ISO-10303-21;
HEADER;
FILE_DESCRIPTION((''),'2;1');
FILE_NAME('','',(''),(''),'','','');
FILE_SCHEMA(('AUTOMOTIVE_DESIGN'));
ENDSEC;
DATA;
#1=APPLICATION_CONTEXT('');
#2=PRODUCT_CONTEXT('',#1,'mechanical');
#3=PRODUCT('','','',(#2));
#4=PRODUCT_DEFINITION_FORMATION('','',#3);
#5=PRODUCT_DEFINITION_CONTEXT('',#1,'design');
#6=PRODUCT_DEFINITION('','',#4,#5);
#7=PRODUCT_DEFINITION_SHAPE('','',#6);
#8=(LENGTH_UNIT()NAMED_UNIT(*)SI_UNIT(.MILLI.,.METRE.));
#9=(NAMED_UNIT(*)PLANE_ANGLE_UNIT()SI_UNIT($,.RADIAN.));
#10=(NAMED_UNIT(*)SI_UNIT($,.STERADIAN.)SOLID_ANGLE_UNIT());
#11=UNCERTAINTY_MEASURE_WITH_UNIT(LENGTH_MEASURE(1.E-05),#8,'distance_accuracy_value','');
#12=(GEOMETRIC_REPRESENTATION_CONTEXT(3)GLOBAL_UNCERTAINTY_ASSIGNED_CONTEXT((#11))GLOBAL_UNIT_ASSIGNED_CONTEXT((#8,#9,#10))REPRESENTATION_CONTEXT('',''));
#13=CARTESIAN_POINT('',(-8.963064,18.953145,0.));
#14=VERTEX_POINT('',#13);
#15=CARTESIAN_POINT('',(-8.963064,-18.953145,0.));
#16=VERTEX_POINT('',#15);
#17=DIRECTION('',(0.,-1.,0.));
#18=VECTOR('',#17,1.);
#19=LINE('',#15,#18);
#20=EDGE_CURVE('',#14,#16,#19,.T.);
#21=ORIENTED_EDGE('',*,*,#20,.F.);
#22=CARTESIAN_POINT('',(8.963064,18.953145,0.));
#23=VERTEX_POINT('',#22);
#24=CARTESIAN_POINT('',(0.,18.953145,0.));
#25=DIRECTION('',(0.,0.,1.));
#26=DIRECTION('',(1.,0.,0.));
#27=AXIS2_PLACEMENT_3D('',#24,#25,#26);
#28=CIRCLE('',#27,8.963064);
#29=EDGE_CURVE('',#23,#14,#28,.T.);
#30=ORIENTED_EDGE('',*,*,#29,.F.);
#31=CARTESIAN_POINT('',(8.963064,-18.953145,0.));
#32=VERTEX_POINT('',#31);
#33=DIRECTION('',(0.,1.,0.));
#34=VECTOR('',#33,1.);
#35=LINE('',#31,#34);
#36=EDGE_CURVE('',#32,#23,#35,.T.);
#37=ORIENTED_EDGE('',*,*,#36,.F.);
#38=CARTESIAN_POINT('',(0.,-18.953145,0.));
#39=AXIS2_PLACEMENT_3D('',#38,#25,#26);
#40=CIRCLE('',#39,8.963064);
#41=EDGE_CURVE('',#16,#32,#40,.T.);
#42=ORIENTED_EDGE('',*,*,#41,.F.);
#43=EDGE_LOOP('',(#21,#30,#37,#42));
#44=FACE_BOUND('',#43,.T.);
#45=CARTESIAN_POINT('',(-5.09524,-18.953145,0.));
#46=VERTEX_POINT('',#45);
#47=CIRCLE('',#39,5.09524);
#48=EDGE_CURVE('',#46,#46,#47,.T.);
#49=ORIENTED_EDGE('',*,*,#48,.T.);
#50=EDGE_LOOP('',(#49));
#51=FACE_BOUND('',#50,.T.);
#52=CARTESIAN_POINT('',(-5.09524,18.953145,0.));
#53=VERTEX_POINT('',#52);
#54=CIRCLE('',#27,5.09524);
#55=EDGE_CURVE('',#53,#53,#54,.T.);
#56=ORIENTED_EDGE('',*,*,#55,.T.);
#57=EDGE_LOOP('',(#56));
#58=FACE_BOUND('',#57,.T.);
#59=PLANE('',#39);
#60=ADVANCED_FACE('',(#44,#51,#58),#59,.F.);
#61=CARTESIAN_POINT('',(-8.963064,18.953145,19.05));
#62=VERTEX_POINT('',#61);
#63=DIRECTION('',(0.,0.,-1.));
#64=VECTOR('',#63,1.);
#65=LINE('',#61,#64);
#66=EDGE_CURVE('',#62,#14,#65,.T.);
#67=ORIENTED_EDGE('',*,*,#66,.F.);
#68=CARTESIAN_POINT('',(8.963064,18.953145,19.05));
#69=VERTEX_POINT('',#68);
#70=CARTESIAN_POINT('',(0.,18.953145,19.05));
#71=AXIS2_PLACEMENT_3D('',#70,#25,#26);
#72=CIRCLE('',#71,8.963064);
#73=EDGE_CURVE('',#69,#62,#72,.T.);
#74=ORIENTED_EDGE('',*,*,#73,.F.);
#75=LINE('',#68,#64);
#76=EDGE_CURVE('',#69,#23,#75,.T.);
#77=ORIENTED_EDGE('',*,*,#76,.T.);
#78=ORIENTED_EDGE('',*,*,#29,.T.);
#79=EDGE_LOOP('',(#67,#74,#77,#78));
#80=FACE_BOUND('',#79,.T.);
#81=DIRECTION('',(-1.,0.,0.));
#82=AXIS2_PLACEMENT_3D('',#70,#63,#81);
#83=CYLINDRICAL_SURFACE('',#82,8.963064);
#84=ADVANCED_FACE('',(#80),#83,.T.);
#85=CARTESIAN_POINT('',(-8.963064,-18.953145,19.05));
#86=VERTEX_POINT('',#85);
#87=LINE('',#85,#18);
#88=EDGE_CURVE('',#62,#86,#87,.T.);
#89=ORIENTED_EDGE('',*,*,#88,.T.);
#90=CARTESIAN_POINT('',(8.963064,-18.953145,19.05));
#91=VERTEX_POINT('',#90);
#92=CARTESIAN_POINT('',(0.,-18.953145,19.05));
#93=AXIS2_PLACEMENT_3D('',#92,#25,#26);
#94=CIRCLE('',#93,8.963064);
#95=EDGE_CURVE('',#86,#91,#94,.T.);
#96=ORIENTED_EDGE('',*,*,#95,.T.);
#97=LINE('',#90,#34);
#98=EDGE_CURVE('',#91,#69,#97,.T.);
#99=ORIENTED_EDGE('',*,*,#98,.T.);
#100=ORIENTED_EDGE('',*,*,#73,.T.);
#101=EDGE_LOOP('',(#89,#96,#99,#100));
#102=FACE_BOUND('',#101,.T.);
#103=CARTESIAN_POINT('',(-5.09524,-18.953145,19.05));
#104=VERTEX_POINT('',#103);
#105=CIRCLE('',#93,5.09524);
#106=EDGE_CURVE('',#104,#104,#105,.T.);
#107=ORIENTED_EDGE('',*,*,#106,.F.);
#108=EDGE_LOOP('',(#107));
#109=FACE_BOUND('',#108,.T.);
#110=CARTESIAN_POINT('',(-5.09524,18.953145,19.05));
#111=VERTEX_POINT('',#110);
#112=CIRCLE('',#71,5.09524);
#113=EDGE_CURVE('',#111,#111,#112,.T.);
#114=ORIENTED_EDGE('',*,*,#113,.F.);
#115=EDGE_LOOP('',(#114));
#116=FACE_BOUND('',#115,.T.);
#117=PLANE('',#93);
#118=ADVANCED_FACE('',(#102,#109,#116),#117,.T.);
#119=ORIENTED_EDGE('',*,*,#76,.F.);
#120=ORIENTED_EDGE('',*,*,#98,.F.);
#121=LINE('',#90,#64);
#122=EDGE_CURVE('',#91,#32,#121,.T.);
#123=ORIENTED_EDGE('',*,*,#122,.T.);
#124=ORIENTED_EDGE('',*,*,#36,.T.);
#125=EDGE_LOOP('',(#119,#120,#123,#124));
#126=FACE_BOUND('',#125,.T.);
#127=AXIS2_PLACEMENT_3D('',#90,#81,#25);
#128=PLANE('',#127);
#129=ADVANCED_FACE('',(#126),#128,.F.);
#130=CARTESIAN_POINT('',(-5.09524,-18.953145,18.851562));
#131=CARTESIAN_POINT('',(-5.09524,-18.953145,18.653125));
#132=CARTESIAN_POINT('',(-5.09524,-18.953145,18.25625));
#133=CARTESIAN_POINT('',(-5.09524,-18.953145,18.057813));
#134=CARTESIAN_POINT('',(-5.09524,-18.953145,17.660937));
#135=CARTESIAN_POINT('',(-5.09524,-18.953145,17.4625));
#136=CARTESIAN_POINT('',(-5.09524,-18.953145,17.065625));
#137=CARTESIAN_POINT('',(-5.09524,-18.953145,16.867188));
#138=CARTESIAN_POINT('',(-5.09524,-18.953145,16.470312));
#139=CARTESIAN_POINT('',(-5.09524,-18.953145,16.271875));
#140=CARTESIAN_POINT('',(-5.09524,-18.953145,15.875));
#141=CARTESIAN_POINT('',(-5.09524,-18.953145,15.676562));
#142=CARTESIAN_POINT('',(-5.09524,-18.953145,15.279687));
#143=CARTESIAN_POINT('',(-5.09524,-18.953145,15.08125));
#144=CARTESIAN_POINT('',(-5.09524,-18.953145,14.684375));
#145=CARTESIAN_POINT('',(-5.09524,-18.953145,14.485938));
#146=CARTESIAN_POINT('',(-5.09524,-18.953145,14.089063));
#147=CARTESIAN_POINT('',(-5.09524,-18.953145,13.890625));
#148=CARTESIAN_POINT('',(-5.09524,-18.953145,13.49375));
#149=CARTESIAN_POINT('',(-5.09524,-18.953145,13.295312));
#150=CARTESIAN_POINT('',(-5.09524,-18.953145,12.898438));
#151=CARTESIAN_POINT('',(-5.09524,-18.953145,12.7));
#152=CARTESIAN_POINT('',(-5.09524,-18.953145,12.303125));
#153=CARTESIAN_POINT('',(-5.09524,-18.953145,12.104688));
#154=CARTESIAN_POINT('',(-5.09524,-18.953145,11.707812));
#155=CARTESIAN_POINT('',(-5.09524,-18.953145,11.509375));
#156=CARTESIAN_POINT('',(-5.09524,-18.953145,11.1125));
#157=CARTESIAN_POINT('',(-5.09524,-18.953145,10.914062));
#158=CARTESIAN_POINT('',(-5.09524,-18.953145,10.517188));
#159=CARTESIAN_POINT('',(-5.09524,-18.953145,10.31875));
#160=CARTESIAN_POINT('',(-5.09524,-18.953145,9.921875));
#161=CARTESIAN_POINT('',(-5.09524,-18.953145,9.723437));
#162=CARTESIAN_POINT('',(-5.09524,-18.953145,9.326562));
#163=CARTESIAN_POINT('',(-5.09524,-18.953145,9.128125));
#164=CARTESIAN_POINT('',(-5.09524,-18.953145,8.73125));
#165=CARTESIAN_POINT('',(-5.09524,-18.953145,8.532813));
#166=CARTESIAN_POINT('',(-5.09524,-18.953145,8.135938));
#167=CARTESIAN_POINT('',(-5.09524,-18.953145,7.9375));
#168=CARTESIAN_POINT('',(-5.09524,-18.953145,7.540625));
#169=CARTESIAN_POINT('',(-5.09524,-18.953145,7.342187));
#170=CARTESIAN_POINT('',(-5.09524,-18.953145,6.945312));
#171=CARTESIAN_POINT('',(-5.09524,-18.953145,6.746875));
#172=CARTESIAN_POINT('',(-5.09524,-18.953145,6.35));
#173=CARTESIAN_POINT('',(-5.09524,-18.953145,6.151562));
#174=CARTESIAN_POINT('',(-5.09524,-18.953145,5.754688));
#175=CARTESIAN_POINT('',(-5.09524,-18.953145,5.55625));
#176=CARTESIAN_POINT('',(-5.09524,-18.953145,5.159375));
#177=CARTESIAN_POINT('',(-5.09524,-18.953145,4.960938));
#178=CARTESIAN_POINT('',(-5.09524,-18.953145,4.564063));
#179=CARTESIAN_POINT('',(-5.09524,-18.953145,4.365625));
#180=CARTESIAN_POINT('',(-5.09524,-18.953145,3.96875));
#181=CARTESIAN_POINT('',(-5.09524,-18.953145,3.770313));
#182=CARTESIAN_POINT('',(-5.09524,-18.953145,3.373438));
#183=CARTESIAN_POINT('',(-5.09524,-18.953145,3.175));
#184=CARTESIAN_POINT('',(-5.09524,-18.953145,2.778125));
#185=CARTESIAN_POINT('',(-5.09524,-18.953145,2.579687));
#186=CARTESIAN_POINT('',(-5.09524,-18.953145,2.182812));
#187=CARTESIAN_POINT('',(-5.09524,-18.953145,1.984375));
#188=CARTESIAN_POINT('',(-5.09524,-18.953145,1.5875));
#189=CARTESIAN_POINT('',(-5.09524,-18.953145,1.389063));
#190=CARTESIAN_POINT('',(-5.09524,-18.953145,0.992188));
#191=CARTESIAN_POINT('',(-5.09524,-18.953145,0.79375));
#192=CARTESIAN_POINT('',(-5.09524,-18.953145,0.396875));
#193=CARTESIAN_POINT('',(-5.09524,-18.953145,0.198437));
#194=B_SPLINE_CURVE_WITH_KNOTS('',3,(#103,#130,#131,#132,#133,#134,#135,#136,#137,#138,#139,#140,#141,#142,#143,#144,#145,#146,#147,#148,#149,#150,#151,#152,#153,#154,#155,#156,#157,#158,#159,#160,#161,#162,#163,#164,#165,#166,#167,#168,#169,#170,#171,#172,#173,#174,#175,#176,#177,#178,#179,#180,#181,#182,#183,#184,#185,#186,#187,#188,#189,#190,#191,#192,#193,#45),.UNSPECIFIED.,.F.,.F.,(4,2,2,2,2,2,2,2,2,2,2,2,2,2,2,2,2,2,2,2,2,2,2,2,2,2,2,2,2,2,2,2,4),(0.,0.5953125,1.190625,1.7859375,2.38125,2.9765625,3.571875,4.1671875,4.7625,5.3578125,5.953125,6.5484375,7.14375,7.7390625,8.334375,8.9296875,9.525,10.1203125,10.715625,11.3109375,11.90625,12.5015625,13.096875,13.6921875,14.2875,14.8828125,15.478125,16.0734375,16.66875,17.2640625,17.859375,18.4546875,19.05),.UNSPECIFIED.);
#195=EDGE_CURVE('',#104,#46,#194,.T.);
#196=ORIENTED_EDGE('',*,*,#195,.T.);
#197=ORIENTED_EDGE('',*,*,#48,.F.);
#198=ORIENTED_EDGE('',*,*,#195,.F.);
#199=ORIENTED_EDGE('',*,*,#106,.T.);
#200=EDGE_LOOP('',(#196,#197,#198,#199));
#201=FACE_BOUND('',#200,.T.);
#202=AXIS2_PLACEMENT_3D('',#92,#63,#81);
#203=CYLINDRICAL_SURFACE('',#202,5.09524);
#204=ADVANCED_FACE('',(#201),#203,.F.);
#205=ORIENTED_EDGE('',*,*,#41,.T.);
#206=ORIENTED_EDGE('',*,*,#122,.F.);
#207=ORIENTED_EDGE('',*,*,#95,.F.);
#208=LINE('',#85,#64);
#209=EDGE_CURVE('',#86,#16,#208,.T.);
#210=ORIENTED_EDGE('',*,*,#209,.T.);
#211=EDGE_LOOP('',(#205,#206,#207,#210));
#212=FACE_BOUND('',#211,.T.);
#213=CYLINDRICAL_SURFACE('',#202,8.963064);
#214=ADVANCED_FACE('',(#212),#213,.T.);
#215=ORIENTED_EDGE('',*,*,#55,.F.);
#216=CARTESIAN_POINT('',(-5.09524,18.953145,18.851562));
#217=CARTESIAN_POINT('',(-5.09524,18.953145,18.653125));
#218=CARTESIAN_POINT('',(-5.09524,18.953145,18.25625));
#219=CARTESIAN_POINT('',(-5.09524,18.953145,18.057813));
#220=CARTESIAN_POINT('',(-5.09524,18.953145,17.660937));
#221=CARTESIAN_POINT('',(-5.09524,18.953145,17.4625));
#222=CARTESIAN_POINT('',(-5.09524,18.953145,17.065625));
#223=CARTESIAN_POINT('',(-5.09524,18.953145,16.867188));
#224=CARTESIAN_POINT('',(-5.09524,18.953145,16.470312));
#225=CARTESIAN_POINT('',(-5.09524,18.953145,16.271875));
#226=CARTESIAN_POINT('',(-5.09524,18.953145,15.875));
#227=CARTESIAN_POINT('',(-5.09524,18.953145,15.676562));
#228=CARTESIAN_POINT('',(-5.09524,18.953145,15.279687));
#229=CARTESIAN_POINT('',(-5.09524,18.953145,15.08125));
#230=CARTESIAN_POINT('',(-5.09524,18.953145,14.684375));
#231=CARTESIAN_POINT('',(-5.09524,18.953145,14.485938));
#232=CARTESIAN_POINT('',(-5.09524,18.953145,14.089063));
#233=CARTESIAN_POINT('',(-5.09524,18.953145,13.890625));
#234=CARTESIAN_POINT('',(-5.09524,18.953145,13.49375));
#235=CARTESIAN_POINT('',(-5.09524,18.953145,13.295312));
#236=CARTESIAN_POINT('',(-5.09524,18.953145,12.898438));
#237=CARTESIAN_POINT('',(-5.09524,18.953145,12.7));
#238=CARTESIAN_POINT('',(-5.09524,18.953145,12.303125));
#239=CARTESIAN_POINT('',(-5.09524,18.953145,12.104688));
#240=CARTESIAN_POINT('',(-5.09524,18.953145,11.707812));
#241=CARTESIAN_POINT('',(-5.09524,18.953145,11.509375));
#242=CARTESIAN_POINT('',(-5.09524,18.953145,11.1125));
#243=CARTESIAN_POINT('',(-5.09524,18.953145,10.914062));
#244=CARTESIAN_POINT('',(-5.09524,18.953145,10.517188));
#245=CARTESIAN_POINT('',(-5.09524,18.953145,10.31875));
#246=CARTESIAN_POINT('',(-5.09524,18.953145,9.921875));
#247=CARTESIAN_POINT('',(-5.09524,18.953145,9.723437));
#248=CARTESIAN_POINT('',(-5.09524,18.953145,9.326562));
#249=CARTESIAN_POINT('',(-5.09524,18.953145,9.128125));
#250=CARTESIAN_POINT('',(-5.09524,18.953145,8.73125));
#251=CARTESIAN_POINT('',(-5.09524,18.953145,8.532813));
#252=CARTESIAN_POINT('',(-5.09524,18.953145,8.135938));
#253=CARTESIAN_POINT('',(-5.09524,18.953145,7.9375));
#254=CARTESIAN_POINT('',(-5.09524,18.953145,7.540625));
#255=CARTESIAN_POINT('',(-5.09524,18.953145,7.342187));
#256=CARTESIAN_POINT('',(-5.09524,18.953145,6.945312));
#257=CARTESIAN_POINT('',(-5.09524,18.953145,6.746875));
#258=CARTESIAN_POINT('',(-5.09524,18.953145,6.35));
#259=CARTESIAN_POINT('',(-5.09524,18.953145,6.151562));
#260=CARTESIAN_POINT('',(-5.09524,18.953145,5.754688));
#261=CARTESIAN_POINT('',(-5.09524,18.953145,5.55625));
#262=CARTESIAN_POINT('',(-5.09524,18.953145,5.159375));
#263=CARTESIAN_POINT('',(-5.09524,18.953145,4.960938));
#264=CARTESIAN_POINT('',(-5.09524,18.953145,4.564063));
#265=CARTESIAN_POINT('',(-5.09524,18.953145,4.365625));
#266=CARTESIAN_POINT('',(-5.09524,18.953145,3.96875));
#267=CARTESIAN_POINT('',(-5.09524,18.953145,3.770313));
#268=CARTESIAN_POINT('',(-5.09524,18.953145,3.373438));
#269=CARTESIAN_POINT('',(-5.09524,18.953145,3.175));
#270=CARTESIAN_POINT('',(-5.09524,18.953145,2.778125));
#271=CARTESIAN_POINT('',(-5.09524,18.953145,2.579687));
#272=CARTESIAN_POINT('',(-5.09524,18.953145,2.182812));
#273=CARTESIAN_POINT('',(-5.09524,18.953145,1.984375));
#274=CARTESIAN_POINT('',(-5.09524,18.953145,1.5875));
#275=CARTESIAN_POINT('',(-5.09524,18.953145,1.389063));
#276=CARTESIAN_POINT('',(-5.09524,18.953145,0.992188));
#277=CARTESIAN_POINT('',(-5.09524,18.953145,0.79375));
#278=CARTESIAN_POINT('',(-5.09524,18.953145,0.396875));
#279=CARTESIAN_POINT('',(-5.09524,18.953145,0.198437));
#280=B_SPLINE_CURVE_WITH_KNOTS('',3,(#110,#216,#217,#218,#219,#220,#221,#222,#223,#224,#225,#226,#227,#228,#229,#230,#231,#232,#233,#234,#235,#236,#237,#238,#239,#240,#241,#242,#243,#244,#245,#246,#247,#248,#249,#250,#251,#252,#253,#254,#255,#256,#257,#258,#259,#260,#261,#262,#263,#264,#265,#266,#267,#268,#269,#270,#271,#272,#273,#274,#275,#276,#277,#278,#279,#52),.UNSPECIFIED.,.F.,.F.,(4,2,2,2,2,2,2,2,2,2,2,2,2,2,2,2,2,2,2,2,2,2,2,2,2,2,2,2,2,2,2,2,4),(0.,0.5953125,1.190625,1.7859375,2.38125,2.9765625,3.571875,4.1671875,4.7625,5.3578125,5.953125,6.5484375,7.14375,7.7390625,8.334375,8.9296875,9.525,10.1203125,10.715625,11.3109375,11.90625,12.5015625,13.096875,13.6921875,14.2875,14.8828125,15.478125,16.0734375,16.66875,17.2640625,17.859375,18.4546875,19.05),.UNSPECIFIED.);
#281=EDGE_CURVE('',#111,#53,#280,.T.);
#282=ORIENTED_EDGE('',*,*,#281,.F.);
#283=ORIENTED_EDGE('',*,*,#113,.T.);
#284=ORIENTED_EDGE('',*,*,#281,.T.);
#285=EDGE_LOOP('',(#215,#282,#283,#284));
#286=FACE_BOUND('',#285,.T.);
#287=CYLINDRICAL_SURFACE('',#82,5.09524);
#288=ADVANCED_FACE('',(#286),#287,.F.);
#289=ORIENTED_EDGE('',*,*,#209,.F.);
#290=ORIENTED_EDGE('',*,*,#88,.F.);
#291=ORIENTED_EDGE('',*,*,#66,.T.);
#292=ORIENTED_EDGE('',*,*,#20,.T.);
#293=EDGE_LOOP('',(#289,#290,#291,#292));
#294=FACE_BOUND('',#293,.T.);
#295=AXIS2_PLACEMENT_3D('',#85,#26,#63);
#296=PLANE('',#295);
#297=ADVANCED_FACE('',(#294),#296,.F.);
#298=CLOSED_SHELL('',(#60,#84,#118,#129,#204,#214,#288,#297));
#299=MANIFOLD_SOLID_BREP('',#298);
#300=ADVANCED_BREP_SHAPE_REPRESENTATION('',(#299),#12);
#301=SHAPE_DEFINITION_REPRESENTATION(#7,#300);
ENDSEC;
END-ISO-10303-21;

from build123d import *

# Parameters (mm, degrees)
SKETCH1_R           = 5.09524
BOSS_EXTRUDE1_DEPTH = 19.05


with BuildPart() as part:
    # Sketch1 → Boss-Extrude1 (new body)
    with BuildSketch(Plane.XY):
        with BuildLine():
            Line((-8.963063795, -18.953145317), (-8.963063795, 18.953145317))
            ThreePointArc((-8.963063795, 18.953145317), (0, 27.916209112), (8.963063795, 18.953145317))
            Line((8.963063795, 18.953145317), (8.963063795, -18.953145317))
            ThreePointArc((8.963063795, -18.953145317), (0, -27.916209112), (-8.963063795, -18.953145317))
        make_face()
        with Locations(Location((0, 18.953145317, 0), (0, 0, 180))):
            Circle(SKETCH1_R, mode=Mode.SUBTRACT)
        with Locations(Location((0, -18.953145317, 0), (0, 0, 180))):
            Circle(SKETCH1_R, mode=Mode.SUBTRACT)
    extrude(amount=BOSS_EXTRUDE1_DEPTH)


solid = part.part
